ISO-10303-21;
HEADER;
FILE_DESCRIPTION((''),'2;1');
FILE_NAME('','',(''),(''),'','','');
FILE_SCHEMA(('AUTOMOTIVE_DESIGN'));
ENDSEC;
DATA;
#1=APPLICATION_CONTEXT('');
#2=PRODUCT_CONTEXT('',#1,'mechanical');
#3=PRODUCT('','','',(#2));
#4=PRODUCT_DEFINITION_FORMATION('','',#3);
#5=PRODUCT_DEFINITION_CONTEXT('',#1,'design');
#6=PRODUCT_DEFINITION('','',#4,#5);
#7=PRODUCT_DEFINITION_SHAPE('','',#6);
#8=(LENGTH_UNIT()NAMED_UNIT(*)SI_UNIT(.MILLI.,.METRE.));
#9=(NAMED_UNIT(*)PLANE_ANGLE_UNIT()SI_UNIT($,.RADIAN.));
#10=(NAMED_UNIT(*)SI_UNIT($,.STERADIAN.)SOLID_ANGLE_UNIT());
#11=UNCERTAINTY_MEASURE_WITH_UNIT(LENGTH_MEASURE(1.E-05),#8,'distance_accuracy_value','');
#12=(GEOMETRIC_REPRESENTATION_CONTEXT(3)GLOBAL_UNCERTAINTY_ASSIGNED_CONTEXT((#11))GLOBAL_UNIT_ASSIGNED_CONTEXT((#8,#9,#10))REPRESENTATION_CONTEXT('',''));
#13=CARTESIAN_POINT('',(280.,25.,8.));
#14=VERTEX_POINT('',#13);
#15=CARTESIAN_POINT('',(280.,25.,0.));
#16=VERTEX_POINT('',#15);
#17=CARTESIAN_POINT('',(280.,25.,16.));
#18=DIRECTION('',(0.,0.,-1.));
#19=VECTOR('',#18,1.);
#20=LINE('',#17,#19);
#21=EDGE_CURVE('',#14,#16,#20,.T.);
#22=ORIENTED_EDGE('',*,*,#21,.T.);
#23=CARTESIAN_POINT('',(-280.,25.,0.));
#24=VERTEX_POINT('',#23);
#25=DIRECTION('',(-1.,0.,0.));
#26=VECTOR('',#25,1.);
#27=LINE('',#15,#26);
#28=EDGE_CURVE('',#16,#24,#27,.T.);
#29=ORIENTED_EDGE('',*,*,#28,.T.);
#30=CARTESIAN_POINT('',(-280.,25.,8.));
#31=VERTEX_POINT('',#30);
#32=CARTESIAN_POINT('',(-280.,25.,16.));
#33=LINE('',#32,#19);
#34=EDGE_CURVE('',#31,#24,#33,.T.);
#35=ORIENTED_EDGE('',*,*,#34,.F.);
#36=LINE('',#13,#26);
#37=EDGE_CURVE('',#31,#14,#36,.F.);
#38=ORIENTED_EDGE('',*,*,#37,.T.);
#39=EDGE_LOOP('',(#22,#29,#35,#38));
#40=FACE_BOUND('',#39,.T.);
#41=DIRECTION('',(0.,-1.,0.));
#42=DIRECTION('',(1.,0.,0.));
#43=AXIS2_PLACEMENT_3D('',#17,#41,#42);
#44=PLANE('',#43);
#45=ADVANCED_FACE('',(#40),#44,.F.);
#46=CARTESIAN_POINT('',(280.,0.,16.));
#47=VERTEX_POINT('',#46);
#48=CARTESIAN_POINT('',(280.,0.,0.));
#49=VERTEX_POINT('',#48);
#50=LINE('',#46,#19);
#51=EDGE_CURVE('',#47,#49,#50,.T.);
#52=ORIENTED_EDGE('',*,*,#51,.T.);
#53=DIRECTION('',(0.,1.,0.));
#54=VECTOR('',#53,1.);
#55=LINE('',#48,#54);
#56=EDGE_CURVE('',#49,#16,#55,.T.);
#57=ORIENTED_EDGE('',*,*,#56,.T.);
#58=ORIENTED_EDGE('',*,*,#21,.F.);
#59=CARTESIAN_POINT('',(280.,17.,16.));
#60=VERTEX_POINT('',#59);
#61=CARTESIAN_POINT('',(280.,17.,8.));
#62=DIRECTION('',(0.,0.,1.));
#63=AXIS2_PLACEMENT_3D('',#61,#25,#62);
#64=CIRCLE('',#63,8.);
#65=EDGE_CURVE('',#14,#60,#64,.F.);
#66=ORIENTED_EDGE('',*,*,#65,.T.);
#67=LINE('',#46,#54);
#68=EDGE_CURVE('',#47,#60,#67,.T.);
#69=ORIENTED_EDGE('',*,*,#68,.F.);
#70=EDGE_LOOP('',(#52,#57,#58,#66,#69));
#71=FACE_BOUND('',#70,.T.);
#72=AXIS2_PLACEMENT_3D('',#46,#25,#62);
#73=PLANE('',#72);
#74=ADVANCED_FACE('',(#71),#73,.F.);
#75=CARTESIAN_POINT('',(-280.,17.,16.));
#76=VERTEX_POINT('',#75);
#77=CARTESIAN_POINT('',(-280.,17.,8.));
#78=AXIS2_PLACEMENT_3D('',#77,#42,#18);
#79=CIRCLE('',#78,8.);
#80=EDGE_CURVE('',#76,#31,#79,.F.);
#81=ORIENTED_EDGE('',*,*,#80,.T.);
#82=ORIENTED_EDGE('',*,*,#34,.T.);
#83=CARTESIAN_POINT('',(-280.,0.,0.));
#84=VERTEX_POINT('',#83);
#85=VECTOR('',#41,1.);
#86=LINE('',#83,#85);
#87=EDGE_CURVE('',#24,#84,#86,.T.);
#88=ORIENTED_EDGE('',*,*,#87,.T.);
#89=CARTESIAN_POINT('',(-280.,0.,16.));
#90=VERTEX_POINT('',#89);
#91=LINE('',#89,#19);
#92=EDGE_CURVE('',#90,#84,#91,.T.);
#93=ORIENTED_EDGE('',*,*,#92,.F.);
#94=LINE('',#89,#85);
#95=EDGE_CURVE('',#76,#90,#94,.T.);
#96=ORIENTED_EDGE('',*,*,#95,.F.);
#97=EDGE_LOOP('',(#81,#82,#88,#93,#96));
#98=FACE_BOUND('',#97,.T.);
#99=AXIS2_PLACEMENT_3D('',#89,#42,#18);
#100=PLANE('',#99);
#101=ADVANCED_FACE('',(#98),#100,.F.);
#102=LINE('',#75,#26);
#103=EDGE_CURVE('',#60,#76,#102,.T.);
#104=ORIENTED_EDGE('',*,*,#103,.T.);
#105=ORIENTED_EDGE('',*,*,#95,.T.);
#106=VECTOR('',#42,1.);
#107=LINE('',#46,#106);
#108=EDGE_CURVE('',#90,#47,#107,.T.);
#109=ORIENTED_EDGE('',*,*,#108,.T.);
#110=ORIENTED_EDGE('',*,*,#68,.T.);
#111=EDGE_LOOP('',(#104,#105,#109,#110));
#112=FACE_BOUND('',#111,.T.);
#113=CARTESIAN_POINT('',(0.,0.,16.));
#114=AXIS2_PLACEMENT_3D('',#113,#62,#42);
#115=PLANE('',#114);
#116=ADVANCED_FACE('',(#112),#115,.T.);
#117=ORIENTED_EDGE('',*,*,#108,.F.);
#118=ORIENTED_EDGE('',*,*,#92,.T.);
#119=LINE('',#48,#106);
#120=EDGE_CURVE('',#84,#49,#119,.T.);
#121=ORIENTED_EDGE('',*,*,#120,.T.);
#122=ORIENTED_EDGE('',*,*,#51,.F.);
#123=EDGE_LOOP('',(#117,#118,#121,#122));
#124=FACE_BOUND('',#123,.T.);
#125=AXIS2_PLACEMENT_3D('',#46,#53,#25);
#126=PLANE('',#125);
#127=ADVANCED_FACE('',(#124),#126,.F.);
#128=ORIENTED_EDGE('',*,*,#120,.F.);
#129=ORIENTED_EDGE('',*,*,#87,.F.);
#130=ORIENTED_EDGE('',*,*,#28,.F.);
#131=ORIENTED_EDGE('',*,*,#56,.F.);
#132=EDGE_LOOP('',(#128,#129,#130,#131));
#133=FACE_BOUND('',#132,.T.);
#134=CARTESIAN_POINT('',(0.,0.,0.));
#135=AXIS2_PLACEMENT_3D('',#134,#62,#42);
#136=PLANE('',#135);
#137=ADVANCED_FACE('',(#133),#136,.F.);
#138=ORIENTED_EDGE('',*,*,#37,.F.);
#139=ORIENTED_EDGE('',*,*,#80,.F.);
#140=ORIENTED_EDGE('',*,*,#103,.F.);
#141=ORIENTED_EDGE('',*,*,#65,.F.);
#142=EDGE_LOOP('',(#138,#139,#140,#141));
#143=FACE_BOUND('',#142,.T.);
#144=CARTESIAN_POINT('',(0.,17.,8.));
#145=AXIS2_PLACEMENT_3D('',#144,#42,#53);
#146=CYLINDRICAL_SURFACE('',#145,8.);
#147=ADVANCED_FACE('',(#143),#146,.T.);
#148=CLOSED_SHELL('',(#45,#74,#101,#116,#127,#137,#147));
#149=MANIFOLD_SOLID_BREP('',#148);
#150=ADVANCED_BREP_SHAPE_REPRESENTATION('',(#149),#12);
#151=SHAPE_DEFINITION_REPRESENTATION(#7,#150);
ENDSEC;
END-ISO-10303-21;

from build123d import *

# Parameters (mm, degrees)
SKETCH1_W           = 560
SKETCH1_H           = 25
BOSS_EXTRUDE1_DEPTH = 16
FILLET1_R           = 8


with BuildPart() as part:
    # Sketch1 → Boss-Extrude1 (new body)
    with BuildSketch(Plane.XY):
        with Locations((0, 12.5)):
            Rectangle(SKETCH1_W, SKETCH1_H)
    extrude(amount=BOSS_EXTRUDE1_DEPTH)

    # Fillet1
    fillet1_edges = [part.edges().sort_by_distance(p)[0] for p in [
        (0, 25, 16),
    ]]
    fillet(fillet1_edges, radius=FILLET1_R)


solid = part.part
